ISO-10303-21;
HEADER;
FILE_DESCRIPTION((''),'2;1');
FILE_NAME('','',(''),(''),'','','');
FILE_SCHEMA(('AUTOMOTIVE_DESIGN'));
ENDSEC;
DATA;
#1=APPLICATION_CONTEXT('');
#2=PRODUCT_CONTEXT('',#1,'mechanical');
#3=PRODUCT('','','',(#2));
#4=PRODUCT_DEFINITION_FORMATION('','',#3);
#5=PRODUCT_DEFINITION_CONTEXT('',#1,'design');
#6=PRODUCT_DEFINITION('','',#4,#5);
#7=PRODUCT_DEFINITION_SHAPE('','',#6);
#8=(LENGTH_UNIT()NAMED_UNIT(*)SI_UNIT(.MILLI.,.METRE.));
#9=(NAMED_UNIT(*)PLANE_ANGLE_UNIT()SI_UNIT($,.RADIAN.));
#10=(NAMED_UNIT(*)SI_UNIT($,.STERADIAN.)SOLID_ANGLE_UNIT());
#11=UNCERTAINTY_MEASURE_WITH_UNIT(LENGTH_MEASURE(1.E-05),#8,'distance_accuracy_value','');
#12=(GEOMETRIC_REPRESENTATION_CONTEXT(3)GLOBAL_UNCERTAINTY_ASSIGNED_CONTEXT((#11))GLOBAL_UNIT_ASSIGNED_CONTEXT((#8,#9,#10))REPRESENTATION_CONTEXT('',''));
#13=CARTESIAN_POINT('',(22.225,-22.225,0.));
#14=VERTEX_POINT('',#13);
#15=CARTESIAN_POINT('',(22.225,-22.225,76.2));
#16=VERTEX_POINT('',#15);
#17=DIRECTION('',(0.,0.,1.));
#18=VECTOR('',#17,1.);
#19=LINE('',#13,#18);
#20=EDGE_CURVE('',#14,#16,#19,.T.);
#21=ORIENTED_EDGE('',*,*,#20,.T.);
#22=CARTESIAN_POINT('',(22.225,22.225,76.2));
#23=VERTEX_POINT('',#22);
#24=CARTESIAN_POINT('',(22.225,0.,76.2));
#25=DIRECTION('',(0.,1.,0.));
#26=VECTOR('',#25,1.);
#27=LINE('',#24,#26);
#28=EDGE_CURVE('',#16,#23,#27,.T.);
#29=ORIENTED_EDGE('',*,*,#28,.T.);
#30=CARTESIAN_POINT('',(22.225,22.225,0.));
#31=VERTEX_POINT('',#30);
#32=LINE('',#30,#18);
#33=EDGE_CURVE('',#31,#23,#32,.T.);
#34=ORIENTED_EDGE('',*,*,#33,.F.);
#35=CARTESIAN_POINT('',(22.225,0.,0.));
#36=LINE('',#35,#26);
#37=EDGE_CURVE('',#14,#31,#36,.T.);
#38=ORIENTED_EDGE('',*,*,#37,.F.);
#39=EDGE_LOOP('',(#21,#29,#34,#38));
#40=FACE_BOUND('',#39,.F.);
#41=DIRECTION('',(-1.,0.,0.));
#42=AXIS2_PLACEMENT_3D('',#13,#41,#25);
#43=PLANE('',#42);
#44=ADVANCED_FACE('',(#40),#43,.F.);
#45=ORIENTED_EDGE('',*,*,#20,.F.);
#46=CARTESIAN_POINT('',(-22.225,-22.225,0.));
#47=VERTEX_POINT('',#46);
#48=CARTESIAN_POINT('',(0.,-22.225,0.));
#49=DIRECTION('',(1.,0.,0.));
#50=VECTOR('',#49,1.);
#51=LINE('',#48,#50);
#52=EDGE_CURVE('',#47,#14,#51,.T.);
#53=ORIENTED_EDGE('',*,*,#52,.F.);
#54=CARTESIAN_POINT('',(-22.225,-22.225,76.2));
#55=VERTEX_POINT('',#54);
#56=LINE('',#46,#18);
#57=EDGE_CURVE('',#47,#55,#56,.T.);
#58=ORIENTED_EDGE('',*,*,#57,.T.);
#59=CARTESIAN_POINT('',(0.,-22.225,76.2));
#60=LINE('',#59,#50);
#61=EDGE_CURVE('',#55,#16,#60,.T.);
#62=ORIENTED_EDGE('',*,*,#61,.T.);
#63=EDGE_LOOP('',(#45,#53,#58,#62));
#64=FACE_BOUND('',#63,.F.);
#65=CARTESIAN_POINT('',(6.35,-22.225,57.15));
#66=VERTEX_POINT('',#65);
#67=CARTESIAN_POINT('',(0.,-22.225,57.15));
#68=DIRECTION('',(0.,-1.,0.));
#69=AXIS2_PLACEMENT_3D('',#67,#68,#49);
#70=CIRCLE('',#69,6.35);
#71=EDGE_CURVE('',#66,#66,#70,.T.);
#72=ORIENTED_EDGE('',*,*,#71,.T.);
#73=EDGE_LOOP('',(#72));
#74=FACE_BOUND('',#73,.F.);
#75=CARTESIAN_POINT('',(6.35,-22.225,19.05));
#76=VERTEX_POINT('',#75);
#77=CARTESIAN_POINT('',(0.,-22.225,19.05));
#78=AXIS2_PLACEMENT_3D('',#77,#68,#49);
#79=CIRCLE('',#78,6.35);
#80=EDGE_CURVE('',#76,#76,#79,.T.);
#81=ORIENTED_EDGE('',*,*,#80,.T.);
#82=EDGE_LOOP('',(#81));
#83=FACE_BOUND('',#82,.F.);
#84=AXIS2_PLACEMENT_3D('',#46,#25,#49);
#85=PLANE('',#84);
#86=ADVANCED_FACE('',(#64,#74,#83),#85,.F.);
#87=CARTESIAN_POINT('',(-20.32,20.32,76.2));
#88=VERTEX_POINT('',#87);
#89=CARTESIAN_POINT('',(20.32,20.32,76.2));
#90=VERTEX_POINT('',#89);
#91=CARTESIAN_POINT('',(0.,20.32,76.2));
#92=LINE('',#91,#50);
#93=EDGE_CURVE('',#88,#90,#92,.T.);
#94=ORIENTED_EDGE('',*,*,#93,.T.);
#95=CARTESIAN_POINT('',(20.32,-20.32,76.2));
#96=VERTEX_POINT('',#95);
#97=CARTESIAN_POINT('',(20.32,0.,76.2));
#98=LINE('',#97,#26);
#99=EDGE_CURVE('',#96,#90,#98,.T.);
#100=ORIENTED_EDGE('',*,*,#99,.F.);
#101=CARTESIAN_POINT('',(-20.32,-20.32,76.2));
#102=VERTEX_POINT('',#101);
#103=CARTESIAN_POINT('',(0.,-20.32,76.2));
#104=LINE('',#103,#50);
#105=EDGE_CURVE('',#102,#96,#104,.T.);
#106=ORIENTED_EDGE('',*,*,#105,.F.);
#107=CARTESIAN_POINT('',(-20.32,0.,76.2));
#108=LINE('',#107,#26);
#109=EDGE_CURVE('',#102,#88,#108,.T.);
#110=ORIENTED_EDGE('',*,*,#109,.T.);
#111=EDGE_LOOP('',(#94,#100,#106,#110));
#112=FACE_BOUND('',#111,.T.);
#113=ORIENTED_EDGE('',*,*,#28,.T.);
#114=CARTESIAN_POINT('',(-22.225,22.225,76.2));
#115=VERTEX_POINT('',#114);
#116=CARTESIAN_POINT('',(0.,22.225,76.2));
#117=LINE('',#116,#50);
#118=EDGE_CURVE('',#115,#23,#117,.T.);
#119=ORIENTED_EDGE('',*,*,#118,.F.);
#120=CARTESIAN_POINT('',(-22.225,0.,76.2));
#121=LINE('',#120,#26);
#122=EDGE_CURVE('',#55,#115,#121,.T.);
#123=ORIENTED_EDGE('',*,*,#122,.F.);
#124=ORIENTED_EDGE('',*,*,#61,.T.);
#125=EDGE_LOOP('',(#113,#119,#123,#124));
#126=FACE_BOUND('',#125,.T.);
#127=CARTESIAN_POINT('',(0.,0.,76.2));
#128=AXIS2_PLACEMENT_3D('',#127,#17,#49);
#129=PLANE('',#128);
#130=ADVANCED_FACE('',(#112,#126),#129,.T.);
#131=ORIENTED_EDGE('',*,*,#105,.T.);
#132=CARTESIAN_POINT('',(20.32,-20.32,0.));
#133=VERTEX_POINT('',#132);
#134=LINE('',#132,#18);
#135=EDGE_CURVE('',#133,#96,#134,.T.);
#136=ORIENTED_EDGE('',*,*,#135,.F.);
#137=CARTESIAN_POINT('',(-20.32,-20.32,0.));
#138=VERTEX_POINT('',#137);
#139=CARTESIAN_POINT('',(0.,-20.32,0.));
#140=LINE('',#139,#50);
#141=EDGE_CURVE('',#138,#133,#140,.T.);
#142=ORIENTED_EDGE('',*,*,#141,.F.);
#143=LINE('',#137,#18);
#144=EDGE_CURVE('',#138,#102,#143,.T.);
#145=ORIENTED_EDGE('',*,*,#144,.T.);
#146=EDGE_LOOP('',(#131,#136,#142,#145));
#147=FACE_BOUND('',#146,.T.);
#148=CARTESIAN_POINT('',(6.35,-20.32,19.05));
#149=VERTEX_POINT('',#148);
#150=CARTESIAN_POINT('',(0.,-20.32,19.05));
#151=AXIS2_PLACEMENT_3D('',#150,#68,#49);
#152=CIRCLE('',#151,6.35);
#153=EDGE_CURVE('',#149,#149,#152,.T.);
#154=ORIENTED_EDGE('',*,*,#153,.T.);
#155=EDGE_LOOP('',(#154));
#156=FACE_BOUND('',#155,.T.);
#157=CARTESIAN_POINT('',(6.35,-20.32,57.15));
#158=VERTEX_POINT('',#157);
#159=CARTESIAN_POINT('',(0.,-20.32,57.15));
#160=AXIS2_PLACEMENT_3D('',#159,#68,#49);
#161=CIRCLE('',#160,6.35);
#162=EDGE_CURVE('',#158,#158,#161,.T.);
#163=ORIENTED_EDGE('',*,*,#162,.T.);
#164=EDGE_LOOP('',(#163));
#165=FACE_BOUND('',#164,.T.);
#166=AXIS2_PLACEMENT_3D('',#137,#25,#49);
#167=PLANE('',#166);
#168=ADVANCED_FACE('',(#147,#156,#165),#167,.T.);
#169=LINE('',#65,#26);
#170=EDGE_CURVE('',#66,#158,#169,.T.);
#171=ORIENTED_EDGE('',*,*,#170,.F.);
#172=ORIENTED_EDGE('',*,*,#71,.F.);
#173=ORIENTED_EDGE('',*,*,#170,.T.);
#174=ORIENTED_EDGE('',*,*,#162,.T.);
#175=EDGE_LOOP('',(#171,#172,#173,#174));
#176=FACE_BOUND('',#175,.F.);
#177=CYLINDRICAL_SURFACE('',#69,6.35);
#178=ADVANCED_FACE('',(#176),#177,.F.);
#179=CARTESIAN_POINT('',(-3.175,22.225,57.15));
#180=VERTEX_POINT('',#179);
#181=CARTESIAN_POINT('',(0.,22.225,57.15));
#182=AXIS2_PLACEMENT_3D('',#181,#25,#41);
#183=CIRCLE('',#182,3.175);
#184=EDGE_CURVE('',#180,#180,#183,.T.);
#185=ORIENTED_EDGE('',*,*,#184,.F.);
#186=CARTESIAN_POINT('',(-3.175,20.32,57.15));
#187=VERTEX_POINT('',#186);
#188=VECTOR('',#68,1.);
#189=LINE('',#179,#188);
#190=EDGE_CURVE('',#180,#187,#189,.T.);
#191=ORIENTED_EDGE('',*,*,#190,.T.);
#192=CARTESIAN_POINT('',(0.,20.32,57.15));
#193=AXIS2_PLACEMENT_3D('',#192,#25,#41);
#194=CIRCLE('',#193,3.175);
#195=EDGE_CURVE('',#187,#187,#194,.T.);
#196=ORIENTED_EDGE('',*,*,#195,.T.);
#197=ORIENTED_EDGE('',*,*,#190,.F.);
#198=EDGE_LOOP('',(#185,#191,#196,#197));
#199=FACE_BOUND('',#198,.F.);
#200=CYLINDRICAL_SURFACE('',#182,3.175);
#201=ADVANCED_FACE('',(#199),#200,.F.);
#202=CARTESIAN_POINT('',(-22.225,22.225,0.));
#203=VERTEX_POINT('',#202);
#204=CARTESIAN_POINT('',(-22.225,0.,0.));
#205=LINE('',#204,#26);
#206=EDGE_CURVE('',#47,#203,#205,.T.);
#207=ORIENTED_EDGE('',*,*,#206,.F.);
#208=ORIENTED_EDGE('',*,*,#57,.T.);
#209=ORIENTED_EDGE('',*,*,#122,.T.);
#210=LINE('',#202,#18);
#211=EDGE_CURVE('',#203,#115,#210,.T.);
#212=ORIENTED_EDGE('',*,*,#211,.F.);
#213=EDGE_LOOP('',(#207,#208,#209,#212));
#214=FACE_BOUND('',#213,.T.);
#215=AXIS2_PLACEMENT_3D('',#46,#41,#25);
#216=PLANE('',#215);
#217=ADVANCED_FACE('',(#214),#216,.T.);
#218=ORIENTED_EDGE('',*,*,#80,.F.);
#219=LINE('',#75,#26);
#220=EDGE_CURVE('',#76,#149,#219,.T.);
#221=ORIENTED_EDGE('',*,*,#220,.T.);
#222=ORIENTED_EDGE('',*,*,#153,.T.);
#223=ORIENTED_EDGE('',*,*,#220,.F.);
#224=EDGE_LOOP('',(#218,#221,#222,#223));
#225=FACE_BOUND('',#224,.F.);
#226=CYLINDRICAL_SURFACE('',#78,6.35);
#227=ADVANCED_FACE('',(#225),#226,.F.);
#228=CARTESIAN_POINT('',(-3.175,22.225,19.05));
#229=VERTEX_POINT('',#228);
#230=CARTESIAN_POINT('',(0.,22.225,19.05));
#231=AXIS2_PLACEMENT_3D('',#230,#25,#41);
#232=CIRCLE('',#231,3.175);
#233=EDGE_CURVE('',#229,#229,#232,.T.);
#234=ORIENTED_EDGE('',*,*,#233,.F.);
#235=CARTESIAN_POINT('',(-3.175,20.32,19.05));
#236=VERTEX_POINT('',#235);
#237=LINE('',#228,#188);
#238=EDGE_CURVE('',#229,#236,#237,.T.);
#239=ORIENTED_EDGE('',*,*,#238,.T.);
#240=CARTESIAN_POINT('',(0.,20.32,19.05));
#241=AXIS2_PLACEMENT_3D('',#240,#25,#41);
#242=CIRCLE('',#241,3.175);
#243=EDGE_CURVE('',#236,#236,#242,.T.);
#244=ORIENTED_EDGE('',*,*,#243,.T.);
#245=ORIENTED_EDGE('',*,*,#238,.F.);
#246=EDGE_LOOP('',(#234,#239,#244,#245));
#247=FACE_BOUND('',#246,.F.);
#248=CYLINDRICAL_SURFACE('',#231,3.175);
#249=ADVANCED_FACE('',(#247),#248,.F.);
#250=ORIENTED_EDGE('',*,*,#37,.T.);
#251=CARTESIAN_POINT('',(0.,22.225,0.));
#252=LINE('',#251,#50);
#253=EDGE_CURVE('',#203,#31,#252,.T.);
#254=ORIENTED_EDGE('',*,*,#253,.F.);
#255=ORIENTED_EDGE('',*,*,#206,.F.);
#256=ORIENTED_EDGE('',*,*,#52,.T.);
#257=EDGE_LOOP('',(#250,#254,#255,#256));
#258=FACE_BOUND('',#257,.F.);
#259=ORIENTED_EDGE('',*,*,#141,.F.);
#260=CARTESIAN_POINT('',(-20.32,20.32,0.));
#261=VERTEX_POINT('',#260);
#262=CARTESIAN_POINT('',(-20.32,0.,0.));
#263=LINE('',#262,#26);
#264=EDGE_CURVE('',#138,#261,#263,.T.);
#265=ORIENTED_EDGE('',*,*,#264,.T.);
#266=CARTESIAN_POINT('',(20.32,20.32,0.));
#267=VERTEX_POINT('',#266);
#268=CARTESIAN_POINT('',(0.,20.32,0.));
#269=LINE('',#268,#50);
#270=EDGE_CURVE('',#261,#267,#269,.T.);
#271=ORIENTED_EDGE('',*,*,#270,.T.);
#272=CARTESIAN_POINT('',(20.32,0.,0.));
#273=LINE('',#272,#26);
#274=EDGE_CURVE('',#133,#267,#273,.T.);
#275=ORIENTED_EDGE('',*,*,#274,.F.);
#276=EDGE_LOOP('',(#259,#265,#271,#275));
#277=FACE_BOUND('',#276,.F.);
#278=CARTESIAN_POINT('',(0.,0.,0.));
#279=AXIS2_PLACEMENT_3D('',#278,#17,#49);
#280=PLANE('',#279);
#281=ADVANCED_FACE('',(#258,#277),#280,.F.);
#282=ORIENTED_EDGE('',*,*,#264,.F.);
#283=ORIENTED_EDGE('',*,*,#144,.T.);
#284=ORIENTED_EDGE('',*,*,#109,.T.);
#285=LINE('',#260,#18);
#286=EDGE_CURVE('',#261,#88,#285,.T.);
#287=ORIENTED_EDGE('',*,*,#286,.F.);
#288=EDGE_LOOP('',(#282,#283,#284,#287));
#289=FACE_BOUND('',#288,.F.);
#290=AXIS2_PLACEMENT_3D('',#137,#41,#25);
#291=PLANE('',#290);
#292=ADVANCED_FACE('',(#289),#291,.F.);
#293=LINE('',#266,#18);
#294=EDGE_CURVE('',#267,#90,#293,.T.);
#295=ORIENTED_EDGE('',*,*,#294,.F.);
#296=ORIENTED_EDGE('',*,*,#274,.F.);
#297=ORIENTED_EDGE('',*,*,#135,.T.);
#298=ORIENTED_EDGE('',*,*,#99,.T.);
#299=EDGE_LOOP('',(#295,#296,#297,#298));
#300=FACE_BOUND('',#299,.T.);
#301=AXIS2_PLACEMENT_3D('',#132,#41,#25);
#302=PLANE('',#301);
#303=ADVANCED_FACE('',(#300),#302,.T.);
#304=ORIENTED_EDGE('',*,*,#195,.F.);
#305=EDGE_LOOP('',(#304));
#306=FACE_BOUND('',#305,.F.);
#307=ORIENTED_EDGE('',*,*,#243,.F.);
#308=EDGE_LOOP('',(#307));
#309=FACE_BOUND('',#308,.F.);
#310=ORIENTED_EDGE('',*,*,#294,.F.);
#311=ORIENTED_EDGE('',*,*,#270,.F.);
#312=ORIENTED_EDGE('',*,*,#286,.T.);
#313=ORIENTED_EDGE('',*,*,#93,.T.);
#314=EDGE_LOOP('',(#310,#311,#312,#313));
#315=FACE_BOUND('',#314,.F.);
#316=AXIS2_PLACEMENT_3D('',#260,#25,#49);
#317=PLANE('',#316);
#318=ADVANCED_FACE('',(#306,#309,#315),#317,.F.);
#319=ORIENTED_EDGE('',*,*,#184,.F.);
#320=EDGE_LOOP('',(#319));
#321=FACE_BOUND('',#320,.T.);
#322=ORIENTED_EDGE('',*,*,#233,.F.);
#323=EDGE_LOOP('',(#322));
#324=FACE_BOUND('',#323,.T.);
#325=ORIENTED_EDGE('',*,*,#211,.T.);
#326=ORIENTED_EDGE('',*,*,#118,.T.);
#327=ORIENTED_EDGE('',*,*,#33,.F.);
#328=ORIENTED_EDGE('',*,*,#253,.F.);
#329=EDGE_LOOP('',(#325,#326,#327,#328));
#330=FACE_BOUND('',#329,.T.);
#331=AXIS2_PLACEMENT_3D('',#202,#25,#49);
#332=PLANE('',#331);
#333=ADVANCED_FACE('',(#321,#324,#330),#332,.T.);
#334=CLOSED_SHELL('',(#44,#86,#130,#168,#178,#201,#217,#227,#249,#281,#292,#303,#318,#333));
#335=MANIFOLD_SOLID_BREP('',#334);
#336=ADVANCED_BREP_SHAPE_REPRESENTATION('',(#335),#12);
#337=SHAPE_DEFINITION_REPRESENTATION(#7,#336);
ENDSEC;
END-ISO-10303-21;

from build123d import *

# Parameters (mm, degrees)
F0_W     = 44.45
F0_H     = 44.45
F0_W_2   = 40.64
F0_H_2   = 40.64
F1_DEPTH = 76.2
F2_R     = 6.35
F3_DEPTH = 25.4
F4_R     = 3.175
F5_DEPTH = 25.4


with BuildPart() as f1:
    # F0 (on Top) → F1 (new body)
    with BuildSketch(Plane.XY):
        Rectangle(F0_W, F0_H)
        Rectangle(F0_W_2, F0_H_2, mode=Mode.SUBTRACT)
    extrude(amount=F1_DEPTH)

    # F2 (on face) → F3 (cut)
    with BuildSketch(Plane.XZ.offset(22.225)):
        with Locations((0, 57.15)):
            Circle(F2_R)
        with Locations((0, 19.05)):
            Circle(F2_R)
    extrude(amount=-F3_DEPTH, mode=Mode.SUBTRACT)

    # F4 (on face) → F5 (cut)
    with BuildSketch(Plane(origin=(0, 22.225, 0), x_dir=(-1, 0, 0), z_dir=(0, 1, 0))):
        with Locations((0, 57.15)):
            Circle(F4_R)
        with Locations((0, 19.05)):
            Circle(F4_R)
    extrude(amount=-F5_DEPTH, mode=Mode.SUBTRACT)


solid = f1.part
